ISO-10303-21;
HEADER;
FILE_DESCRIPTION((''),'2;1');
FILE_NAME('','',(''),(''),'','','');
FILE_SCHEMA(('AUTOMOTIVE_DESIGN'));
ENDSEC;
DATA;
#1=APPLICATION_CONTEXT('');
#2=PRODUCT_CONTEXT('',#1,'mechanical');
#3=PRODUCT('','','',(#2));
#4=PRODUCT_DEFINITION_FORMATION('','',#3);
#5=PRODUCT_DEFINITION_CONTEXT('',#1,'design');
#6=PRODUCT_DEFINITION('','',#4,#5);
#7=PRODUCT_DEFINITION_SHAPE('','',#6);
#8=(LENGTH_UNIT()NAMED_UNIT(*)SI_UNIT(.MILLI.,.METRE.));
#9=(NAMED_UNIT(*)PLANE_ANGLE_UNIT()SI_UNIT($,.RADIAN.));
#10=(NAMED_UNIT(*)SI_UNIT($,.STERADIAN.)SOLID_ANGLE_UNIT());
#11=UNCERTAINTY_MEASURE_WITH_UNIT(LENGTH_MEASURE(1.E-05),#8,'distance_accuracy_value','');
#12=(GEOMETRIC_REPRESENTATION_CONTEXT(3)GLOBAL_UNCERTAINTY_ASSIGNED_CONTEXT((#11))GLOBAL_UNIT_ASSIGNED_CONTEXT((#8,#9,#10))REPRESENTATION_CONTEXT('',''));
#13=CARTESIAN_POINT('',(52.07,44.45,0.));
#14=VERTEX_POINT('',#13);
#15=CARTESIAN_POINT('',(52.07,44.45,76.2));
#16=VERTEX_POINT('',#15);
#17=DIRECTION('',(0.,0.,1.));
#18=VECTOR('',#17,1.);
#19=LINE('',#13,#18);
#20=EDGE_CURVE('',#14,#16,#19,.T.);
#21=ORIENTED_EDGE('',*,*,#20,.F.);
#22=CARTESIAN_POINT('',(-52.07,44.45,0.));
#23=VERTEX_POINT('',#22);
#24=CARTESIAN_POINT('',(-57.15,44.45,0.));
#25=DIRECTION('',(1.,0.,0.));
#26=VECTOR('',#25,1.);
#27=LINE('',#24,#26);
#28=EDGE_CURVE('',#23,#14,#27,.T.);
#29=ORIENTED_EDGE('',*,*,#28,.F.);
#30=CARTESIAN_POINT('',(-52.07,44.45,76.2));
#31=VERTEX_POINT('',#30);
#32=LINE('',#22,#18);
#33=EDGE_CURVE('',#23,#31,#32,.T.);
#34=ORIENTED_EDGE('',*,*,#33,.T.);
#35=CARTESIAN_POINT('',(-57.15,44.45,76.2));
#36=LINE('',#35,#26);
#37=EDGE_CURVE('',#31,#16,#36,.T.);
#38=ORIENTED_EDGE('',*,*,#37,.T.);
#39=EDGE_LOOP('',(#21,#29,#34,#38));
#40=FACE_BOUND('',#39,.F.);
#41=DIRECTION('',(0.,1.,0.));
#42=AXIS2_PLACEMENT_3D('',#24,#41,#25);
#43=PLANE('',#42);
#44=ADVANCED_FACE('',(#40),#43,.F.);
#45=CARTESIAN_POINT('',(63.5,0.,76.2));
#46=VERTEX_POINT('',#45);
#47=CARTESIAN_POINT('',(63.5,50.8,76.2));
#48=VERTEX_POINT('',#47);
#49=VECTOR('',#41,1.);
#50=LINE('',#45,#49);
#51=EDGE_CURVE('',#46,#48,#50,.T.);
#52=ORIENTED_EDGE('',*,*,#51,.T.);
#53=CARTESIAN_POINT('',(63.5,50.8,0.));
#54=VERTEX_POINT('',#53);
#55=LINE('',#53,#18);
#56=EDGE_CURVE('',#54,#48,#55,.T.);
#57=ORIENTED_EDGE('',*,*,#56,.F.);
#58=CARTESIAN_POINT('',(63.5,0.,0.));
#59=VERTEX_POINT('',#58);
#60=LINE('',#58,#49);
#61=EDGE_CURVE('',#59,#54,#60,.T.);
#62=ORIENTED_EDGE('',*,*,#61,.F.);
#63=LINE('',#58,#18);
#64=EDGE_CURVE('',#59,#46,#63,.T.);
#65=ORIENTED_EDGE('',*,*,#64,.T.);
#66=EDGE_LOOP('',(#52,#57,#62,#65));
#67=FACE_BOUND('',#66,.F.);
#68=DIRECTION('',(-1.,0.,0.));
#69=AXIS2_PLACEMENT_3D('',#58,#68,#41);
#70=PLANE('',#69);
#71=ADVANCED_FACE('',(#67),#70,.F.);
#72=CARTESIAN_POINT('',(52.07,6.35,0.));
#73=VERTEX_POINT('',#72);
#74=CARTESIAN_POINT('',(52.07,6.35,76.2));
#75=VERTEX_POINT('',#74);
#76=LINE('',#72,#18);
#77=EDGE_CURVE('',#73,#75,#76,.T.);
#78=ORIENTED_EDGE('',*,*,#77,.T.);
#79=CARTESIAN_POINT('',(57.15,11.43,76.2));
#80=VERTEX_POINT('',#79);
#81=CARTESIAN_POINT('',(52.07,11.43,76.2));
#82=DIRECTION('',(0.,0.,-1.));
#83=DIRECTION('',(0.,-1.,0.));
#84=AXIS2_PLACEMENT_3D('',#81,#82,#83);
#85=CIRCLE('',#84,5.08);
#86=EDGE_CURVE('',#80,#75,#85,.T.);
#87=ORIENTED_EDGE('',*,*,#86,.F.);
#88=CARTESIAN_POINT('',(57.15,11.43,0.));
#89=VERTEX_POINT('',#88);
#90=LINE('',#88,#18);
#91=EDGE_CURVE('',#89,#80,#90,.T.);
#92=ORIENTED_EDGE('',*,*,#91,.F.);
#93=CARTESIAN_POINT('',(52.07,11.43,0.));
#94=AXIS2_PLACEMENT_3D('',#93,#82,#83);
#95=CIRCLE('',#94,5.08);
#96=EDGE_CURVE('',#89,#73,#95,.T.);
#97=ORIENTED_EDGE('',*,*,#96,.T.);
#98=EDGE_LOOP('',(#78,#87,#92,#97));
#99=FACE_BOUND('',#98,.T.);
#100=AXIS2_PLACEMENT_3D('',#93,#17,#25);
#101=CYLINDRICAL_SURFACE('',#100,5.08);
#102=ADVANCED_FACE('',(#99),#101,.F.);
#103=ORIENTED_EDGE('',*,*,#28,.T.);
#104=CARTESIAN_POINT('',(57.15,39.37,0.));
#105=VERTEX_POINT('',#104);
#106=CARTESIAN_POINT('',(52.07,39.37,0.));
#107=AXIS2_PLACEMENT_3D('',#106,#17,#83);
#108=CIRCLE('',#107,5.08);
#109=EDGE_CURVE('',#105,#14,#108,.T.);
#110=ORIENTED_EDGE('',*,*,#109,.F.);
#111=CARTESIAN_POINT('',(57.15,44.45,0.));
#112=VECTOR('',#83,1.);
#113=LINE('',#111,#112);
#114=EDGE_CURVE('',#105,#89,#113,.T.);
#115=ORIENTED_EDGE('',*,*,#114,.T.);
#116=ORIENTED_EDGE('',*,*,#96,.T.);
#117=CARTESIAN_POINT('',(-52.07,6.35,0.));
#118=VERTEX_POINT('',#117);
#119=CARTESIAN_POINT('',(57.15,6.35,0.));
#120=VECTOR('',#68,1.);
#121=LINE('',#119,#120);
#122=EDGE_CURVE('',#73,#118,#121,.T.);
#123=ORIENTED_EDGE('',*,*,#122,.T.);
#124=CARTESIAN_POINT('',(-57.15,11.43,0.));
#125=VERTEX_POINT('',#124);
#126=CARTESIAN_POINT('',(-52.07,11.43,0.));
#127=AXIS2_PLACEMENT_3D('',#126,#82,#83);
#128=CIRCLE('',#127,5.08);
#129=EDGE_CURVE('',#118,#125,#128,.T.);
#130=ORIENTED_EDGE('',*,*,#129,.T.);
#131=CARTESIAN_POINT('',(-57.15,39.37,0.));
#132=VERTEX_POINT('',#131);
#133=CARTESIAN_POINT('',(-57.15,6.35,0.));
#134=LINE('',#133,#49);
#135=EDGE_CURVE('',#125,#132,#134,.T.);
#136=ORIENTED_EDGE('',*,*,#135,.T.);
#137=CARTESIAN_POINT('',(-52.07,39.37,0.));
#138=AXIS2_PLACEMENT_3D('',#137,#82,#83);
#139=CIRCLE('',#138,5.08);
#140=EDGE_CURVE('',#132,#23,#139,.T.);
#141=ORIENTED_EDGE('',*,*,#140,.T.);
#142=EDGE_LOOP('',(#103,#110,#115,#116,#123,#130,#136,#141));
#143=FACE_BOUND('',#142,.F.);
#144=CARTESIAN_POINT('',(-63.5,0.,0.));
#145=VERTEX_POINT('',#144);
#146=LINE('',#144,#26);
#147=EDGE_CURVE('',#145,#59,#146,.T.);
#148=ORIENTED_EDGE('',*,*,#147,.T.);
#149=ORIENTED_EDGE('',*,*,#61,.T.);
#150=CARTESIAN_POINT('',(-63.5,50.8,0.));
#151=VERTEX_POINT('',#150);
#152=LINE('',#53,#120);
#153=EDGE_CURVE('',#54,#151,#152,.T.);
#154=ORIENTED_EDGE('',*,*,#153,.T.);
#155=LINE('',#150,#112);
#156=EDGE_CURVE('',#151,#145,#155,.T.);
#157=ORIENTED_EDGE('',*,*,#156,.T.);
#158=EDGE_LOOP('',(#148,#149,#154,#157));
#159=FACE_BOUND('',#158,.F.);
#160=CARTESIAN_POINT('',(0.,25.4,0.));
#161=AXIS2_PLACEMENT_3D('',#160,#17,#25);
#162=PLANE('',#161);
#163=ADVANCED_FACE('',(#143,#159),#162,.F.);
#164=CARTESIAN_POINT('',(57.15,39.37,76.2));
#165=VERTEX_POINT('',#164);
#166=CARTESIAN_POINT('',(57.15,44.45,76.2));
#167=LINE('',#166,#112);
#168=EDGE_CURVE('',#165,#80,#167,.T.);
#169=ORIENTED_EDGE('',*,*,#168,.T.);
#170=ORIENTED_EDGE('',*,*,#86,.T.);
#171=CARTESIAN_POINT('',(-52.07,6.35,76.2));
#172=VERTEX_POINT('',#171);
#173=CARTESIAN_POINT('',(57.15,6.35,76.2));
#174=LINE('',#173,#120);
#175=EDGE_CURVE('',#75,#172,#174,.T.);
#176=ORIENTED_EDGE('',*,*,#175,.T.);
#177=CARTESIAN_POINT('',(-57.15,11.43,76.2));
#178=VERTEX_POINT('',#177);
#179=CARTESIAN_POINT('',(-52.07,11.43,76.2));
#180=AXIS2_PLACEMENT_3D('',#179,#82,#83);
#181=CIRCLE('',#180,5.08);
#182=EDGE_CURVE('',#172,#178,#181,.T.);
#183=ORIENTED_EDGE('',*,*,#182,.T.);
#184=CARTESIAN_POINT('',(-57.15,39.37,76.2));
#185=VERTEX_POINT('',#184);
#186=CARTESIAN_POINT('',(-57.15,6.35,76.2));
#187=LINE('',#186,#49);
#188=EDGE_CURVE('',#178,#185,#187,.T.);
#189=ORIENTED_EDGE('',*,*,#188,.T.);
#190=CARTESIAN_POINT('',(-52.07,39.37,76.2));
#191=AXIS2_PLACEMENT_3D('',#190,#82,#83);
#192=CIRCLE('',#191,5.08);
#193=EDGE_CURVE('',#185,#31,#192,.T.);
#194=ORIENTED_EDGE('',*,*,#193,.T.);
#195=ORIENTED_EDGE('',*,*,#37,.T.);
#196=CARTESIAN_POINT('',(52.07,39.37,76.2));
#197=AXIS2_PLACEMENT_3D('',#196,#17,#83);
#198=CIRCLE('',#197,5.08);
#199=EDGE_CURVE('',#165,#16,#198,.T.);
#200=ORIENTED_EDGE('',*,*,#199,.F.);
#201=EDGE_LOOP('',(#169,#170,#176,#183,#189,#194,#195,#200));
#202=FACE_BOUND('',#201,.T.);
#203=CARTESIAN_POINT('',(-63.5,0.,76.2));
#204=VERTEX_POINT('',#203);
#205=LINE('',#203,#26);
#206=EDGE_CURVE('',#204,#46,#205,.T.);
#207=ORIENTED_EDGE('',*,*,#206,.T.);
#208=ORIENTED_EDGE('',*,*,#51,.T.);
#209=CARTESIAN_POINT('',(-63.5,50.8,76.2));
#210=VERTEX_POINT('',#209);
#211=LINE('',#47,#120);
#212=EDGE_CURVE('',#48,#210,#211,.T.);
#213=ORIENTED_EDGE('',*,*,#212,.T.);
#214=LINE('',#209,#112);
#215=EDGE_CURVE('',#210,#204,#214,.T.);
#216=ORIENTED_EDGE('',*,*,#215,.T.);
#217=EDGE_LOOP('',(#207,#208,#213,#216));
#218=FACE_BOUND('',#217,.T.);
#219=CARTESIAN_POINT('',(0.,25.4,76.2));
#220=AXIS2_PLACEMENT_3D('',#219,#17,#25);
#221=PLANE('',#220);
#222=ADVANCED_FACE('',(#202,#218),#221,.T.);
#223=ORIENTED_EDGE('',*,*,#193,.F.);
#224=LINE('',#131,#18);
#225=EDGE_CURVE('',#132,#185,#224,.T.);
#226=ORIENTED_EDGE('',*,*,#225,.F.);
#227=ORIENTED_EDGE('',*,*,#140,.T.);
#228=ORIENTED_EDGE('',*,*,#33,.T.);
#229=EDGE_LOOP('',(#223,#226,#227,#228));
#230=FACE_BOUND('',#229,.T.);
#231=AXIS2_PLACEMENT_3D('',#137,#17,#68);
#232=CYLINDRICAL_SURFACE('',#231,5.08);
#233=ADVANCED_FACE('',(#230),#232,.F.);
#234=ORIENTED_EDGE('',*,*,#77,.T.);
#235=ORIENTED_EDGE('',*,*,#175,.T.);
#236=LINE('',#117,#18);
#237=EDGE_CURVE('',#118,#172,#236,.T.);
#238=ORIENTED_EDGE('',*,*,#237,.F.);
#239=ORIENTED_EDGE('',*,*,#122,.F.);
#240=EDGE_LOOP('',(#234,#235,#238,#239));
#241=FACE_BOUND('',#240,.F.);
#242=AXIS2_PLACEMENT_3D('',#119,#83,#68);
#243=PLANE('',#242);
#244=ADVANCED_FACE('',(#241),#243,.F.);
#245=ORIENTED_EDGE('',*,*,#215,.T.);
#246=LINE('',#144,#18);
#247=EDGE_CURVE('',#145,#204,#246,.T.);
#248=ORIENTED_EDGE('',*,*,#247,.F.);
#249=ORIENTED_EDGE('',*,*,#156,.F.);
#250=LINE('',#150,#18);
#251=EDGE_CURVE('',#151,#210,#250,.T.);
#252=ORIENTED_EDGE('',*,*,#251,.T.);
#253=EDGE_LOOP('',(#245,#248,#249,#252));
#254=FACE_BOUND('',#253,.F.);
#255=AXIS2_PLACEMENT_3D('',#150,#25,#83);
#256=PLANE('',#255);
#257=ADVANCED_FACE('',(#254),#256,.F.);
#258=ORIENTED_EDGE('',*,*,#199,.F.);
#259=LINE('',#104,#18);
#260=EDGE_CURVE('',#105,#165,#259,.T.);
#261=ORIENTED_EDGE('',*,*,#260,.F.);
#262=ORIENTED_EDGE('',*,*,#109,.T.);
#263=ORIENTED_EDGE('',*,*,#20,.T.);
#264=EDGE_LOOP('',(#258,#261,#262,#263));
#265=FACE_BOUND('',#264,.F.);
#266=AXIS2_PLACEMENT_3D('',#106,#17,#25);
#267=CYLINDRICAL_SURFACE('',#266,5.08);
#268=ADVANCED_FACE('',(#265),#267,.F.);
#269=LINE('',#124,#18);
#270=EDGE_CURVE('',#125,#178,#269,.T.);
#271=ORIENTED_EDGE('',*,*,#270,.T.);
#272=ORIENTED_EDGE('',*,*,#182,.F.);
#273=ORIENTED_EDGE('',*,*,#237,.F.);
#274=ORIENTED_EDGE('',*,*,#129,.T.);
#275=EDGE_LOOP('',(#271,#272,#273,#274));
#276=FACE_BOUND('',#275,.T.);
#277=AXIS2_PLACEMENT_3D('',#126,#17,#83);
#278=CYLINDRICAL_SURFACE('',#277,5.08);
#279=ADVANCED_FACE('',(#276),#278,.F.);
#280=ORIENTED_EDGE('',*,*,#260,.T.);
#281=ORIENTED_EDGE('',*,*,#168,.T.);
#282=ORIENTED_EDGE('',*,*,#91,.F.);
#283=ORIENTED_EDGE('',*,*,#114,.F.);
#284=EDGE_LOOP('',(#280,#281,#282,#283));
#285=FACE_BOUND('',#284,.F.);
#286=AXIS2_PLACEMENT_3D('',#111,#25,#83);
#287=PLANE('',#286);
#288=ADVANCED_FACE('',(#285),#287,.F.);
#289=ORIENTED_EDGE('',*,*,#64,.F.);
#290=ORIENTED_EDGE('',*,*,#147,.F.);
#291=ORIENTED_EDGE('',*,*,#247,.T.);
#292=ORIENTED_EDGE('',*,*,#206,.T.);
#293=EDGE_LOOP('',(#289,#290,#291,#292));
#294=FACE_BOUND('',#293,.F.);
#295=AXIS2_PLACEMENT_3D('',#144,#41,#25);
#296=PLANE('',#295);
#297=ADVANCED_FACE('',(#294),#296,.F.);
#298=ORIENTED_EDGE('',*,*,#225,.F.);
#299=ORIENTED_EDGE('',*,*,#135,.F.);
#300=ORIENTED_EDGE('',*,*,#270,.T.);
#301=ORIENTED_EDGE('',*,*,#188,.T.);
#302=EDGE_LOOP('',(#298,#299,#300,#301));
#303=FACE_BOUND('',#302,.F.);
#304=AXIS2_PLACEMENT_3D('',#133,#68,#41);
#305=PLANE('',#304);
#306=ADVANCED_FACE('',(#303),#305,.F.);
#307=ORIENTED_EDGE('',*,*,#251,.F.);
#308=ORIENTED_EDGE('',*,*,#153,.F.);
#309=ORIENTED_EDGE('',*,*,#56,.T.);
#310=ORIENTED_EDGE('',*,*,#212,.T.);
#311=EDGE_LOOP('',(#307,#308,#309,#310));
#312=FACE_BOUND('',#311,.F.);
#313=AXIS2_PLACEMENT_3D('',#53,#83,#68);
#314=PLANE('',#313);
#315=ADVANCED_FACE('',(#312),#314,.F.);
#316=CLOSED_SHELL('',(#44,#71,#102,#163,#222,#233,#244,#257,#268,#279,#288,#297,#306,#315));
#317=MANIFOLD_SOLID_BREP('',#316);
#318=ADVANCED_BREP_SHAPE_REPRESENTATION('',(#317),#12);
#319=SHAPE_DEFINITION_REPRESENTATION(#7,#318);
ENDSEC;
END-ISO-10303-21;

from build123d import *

# Parameters (mm, degrees)
F1_DEPTH = 76.2
F2_R     = 5.08


with BuildPart() as f1:
    # F0 (on Top) → F1 (new body)
    with BuildSketch(Plane.XY):
        Polygon((-63.5, 0), (0, 0), (63.5, 0), (63.5, 50.8), (0, 50.8), (-63.5, 50.8), align=None)
        Polygon((57.15, 6.35), (0, 6.35), (-57.15, 6.35), (-57.15, 44.45), (0, 44.45), (57.15, 44.45), align=None, mode=Mode.SUBTRACT)
    extrude(amount=F1_DEPTH)

    # F2
    f2_edges = [f1.edges().sort_by_distance(p)[0] for p in [
        (-57.15, 44.45, 38.1),
        (57.15, 44.45, 38.1),
        (-57.15, 6.35, 38.1),
        (57.15, 6.35, 38.1),
    ]]
    fillet(f2_edges, radius=F2_R)


solid = f1.part
